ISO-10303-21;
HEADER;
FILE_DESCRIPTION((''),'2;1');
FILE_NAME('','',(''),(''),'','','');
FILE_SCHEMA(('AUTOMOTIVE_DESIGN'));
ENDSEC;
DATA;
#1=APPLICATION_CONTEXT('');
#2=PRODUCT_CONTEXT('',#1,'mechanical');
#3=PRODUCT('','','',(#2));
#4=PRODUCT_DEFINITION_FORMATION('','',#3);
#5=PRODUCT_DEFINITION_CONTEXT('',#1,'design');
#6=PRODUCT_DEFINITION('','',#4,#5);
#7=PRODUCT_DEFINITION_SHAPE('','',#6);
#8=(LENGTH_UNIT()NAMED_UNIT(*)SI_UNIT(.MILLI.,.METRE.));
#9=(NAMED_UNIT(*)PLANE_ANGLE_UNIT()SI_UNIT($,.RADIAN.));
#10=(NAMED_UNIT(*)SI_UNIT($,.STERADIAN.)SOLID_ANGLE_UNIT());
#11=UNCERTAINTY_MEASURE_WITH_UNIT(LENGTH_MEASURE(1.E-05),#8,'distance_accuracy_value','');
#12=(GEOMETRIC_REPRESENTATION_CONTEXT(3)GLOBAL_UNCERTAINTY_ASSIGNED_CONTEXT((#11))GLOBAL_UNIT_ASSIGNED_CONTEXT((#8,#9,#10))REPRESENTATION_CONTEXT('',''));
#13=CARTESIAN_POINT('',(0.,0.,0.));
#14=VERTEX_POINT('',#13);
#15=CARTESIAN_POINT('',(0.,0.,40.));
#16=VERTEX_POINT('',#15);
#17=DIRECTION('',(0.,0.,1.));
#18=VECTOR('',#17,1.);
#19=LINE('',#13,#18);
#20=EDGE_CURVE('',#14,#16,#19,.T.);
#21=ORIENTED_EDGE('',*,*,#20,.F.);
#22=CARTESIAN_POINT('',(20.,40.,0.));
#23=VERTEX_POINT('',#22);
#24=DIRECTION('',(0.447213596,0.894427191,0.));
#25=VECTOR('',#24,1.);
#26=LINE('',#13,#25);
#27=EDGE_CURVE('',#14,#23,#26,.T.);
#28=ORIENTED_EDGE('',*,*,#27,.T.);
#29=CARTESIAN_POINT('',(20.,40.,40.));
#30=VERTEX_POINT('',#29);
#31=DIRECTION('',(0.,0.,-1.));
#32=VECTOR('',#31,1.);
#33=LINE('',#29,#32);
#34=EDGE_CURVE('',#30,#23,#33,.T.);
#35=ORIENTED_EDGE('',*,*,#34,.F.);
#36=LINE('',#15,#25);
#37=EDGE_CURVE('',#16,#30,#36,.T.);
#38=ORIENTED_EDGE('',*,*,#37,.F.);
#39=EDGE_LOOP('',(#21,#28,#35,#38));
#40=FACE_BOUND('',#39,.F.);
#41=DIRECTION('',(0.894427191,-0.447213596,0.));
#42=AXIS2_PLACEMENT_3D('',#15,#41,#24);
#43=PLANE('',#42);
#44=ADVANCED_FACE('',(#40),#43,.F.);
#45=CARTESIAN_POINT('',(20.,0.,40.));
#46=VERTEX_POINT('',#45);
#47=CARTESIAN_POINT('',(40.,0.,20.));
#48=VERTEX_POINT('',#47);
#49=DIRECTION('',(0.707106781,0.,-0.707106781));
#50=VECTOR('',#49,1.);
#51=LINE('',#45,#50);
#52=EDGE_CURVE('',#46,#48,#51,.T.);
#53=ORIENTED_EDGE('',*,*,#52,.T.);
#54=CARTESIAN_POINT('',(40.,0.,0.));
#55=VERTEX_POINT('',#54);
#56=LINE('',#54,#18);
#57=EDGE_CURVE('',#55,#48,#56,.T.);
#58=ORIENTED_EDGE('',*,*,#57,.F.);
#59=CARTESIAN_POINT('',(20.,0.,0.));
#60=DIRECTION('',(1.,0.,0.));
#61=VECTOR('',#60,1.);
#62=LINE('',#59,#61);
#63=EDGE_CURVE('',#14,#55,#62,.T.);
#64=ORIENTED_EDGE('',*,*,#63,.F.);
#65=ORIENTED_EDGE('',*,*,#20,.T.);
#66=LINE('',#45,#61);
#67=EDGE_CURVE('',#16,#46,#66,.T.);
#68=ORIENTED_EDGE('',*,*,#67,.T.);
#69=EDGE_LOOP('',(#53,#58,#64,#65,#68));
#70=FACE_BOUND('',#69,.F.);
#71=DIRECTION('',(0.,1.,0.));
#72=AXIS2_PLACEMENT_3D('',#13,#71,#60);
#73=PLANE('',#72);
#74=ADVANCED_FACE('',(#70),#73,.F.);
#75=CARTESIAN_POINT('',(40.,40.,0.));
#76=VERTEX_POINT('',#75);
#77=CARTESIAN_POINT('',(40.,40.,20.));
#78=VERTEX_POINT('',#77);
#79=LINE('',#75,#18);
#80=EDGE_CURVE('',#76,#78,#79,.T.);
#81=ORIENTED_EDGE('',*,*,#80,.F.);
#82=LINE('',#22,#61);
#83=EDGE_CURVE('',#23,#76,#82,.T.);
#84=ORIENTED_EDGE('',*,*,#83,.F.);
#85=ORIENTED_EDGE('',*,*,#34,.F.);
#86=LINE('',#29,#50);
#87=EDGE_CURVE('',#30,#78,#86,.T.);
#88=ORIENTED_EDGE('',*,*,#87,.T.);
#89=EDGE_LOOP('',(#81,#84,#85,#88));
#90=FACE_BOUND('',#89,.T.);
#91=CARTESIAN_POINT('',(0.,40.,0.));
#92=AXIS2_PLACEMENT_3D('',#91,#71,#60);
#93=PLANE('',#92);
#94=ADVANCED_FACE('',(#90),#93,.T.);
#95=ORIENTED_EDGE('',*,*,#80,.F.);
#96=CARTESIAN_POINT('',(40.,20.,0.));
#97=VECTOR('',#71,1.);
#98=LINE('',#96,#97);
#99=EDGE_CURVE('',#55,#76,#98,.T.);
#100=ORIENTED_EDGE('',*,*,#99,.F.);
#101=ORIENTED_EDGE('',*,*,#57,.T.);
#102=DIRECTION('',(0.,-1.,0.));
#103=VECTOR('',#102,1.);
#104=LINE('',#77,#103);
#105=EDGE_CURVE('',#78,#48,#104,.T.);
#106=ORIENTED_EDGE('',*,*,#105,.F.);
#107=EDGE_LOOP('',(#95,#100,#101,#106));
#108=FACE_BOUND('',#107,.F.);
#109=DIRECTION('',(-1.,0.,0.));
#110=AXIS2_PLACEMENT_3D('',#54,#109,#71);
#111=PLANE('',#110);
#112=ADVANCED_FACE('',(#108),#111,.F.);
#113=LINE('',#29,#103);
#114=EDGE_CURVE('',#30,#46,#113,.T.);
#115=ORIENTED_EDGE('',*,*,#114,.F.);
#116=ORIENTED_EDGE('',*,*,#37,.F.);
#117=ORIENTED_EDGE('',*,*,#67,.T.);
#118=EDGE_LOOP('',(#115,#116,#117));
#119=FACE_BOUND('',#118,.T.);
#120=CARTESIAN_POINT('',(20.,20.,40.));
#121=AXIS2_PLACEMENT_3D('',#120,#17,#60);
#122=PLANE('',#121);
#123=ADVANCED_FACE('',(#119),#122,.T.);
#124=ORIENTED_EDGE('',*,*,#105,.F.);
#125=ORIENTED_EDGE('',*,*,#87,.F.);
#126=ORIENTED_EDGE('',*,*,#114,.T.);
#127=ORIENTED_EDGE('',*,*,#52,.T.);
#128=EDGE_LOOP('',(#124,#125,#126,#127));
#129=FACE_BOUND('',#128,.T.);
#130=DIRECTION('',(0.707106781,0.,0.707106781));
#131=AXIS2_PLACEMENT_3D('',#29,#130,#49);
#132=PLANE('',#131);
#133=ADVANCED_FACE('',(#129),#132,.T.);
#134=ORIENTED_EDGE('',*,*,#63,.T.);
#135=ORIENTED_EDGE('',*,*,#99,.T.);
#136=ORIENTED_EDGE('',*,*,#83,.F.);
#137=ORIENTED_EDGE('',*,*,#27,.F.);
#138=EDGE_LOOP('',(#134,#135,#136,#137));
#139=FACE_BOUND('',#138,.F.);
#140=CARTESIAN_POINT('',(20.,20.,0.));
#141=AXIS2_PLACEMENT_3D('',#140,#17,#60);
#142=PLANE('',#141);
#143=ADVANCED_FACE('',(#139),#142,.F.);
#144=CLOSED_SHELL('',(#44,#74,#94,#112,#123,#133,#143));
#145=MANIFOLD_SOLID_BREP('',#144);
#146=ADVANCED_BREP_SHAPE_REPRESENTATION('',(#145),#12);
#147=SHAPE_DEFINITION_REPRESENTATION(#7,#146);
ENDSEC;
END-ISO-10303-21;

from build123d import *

# Parameters (mm, degrees)
SKETCH1_W           = 40
SKETCH1_H           = 40
BOSS_EXTRUDE1_DEPTH = 40
CUT_EXTRUDE1_DEPTH  = 40
CUT_EXTRUDE2_DEPTH  = 40


with BuildPart() as part:
    # Sketch1 → Boss-Extrude1 (new body)
    with BuildSketch(Plane.XY):
        with Locations((20, 20)):
            Rectangle(SKETCH1_W, SKETCH1_H)
    extrude(amount=BOSS_EXTRUDE1_DEPTH)

    # Sketch2 → Cut-Extrude1 (cut)
    with BuildSketch(Plane.XY.offset(40)):
        Polygon((0, 0), (20, 40), (0, 40), align=None)
    extrude(amount=-CUT_EXTRUDE1_DEPTH, mode=Mode.SUBTRACT)

    # Sketch3 → Cut-Extrude2 (cut)
    with BuildSketch(Plane(origin=(0, 40, 0), x_dir=(1, 0, 0), z_dir=(0, 1, 0))):
        Polygon((20, -40), (40, -20), (40, -40), align=None)
    extrude(amount=-CUT_EXTRUDE2_DEPTH, mode=Mode.SUBTRACT)


solid = part.part
